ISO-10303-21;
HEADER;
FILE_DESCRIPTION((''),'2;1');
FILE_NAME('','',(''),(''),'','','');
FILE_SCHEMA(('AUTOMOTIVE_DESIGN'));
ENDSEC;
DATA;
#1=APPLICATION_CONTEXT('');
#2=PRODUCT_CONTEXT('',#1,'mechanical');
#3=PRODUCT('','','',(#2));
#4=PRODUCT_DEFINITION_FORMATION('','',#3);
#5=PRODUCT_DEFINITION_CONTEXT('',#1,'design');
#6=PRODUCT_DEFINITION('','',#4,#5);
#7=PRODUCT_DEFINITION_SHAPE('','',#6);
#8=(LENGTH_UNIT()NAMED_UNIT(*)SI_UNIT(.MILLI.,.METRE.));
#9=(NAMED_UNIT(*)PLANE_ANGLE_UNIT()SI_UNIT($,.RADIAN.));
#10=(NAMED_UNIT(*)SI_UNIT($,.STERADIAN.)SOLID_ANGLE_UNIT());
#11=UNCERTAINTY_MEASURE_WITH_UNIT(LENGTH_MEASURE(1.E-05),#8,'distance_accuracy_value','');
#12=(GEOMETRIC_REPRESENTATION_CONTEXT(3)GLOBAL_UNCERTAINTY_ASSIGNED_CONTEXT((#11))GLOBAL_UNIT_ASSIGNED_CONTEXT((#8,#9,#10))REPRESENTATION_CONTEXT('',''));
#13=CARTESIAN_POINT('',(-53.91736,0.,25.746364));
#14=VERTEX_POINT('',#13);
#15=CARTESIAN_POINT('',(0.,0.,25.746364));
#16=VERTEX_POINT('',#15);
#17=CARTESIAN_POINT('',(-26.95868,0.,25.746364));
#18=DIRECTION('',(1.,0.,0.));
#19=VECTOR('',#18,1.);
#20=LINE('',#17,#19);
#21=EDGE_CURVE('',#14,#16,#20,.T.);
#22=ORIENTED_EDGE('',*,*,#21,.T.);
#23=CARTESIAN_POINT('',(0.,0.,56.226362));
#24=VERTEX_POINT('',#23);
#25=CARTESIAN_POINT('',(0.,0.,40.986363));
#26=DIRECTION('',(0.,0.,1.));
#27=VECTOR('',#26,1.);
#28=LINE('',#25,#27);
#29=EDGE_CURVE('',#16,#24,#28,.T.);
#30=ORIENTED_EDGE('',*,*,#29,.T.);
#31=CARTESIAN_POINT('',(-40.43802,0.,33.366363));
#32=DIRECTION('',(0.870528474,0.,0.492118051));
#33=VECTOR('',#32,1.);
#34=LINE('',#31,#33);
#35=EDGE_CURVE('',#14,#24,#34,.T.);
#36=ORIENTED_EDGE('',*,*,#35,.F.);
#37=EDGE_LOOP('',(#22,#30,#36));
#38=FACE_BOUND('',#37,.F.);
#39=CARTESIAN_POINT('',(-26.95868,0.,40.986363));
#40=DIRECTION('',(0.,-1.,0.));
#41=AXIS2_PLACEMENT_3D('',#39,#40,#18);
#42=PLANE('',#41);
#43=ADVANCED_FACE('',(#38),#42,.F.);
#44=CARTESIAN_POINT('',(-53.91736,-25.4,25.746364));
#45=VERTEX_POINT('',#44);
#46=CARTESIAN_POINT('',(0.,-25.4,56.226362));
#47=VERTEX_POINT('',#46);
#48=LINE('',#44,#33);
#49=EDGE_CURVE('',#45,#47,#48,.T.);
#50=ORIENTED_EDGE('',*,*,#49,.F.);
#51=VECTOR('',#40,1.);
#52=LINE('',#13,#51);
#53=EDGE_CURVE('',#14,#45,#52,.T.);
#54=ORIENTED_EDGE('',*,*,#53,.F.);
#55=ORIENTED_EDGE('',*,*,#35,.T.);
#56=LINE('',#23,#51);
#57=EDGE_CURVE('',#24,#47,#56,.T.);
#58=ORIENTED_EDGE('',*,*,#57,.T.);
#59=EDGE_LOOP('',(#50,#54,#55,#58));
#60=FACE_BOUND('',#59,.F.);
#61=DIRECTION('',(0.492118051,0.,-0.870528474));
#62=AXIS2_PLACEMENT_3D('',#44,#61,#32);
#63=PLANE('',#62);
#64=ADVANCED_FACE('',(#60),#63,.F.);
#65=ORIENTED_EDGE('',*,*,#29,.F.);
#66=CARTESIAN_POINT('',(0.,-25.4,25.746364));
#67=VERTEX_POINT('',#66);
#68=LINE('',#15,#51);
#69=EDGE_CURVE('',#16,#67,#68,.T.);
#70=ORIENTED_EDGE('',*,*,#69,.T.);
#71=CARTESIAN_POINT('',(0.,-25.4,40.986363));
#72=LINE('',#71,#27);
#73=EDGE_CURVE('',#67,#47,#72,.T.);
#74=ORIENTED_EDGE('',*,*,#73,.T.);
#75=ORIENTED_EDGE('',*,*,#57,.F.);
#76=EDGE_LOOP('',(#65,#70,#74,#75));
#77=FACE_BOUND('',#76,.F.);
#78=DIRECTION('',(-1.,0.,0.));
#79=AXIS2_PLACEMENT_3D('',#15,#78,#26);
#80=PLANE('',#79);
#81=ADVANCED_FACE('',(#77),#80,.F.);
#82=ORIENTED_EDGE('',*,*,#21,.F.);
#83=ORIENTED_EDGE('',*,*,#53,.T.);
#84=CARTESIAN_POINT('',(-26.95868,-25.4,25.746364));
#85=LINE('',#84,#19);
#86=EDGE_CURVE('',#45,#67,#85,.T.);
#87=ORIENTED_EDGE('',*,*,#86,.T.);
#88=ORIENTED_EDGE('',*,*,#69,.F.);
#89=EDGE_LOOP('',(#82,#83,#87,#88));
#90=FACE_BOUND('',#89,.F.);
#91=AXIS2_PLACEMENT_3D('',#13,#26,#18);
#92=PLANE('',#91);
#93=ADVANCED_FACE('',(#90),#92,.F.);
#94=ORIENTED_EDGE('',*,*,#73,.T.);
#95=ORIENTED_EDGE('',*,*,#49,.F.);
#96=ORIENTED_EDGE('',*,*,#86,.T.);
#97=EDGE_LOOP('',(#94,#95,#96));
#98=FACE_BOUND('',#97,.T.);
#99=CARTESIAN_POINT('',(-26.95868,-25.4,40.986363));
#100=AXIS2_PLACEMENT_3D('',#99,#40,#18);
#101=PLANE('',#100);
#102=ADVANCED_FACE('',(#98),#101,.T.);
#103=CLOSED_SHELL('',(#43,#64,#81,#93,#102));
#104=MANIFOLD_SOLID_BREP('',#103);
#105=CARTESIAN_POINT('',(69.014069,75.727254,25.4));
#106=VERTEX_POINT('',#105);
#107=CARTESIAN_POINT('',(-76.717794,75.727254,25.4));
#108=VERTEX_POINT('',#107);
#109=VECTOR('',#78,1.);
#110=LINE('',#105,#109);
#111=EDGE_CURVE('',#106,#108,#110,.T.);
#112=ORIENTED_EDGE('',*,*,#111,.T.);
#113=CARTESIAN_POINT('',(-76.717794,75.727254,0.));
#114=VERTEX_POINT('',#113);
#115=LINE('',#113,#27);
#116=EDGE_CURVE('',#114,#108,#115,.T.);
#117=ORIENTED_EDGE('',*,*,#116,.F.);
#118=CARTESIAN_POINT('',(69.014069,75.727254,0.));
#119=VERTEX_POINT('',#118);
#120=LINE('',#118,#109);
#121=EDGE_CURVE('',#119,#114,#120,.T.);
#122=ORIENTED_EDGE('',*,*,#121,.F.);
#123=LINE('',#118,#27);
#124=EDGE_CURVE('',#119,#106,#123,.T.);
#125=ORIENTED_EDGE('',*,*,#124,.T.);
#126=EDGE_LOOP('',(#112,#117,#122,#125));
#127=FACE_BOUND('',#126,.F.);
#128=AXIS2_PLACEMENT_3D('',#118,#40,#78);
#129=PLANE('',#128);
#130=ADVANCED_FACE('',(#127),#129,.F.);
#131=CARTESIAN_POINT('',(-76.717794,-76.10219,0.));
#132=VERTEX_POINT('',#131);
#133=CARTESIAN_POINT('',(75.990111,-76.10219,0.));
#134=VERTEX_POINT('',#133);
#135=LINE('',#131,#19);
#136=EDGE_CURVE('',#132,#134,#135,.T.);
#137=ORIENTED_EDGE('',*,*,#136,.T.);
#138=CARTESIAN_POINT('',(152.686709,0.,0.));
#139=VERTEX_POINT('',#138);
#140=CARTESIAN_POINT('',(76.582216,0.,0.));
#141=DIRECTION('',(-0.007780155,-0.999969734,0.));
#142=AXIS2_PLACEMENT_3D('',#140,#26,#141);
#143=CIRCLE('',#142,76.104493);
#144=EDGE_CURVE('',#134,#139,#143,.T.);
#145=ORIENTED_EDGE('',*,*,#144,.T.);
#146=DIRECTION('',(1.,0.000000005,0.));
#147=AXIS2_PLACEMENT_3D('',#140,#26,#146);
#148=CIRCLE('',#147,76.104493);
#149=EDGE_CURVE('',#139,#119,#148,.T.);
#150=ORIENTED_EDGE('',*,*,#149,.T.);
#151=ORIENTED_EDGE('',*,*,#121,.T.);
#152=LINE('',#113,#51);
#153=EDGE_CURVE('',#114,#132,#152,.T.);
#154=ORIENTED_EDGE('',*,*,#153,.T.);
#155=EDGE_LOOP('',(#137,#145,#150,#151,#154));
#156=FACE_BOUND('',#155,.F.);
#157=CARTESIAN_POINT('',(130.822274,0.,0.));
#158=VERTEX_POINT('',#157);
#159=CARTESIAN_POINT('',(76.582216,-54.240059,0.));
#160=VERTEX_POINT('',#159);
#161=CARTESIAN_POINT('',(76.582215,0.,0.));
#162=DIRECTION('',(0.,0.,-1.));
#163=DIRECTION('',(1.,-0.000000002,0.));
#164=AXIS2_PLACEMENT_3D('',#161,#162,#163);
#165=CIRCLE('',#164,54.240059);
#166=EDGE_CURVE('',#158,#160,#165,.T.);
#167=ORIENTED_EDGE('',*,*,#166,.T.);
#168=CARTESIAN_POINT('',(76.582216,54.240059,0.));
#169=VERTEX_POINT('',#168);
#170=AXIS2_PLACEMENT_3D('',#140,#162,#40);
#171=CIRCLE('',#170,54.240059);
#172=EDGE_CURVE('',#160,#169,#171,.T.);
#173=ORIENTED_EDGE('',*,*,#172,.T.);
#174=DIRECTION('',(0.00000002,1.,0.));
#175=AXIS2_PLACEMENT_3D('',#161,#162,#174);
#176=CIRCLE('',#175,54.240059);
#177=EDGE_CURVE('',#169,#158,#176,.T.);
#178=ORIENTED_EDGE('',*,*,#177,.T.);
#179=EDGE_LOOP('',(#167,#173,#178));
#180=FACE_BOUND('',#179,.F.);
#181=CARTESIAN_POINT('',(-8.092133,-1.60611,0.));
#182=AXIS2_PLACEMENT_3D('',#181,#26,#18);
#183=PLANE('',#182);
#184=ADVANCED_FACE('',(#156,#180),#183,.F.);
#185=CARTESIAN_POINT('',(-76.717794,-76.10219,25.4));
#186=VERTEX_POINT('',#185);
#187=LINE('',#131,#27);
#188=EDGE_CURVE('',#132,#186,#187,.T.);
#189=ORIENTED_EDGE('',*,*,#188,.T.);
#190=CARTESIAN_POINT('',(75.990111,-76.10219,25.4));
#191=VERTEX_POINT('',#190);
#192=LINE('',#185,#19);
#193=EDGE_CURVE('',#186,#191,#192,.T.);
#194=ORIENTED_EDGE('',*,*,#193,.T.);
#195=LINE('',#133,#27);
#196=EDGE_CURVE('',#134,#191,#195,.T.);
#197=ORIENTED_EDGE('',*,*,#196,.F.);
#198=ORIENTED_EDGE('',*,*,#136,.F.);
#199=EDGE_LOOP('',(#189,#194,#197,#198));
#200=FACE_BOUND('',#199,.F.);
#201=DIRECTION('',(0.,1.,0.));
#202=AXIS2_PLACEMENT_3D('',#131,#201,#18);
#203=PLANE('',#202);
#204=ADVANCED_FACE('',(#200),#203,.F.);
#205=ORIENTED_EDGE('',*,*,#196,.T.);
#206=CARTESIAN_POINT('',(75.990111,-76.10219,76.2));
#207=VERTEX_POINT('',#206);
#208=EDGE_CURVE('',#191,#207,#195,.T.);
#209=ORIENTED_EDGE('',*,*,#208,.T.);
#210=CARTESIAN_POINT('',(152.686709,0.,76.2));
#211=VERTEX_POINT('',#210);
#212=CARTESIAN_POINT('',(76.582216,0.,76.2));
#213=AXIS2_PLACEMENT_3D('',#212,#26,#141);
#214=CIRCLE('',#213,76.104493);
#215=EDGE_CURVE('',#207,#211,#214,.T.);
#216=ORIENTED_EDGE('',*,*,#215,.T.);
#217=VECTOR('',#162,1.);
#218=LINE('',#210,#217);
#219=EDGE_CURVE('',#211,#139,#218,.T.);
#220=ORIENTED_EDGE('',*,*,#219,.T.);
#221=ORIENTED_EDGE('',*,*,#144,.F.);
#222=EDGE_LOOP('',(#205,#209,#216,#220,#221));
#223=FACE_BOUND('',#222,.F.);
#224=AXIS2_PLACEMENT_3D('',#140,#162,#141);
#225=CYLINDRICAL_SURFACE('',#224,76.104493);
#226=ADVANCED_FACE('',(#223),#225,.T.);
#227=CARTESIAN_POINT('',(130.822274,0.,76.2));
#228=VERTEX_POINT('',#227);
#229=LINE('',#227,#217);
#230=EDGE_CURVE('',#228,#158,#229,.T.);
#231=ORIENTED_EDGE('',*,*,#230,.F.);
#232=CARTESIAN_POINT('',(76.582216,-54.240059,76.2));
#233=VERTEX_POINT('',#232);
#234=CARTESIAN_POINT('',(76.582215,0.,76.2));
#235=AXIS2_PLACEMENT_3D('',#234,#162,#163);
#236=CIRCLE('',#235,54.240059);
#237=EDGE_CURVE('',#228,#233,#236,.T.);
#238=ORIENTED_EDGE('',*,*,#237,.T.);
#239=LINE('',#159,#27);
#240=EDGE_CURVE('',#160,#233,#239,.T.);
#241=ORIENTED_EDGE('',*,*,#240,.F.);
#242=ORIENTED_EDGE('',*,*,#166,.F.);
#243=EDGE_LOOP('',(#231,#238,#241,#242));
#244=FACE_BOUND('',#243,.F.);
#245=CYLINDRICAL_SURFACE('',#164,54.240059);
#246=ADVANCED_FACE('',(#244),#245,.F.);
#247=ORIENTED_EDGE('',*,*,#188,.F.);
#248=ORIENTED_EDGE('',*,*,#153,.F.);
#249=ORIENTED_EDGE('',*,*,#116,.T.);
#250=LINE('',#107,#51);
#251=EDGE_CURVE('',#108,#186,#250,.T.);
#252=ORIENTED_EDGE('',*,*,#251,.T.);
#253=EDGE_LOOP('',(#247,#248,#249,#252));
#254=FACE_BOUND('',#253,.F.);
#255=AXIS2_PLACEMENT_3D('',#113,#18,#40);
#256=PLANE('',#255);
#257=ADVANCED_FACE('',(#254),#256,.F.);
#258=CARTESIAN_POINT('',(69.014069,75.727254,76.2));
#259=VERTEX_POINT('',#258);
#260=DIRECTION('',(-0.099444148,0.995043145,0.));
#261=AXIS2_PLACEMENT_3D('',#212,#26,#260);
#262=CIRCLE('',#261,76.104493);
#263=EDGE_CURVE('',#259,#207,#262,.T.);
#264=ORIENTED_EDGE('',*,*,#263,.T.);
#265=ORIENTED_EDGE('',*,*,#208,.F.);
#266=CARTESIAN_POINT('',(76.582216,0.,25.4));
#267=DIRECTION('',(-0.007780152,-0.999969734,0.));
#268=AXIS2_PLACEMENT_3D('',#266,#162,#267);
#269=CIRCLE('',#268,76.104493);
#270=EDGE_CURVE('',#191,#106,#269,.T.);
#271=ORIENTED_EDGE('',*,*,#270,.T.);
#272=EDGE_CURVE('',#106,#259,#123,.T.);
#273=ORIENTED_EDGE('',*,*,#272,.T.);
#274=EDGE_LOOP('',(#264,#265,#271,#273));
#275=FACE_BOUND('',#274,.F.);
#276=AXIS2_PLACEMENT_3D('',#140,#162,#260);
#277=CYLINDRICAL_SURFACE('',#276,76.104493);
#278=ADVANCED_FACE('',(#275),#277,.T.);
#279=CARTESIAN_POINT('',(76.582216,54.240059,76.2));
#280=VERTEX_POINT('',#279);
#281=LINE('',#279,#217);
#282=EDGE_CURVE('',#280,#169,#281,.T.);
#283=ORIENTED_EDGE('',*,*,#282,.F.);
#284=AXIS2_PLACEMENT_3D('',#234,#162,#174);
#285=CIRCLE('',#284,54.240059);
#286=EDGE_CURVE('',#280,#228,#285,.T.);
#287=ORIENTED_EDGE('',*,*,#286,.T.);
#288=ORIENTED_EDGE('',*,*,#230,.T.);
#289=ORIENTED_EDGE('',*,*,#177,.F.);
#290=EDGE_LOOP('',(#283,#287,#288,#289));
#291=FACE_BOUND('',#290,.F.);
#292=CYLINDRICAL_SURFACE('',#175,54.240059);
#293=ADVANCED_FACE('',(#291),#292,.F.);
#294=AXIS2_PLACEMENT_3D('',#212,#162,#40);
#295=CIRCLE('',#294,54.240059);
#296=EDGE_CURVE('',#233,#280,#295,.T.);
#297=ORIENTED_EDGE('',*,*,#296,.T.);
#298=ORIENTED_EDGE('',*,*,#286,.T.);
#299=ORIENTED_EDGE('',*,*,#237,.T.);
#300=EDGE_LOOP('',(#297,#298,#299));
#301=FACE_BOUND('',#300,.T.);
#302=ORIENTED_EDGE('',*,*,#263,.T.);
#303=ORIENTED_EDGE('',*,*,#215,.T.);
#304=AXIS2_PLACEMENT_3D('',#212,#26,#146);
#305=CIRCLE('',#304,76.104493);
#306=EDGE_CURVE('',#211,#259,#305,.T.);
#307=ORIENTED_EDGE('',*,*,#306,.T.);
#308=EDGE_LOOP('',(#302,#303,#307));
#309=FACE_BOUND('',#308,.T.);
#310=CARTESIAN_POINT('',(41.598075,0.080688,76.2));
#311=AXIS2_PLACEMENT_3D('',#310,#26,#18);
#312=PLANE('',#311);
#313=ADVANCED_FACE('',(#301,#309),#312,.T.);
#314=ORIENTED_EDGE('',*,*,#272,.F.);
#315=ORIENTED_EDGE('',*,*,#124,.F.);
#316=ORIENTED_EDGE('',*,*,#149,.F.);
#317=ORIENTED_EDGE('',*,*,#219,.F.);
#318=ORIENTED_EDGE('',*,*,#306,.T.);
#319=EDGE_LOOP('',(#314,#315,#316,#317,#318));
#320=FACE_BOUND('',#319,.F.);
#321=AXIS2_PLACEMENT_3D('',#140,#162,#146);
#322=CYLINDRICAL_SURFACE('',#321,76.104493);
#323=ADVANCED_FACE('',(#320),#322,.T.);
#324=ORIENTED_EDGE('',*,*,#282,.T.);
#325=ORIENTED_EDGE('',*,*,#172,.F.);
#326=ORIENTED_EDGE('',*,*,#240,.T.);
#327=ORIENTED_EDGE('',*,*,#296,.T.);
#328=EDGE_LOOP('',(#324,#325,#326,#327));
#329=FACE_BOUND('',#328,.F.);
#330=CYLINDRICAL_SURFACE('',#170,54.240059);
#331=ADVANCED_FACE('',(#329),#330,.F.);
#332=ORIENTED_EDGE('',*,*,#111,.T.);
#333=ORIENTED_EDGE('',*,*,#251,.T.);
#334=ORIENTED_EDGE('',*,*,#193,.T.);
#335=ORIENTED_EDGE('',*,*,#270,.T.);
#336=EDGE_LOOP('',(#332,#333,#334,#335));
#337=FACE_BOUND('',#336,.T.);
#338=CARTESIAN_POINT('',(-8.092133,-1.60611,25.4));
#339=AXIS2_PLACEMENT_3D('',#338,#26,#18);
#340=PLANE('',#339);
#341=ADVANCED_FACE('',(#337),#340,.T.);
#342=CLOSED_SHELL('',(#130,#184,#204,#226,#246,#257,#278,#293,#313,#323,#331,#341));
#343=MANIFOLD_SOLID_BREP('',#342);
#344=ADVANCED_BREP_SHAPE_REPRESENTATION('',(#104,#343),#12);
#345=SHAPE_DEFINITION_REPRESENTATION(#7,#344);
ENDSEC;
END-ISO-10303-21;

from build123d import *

# Parameters (mm, degrees)
F1_DEPTH = 76.2
F2_DEPTH = 25.4
F3_W     = 53.91736
F3_H     = 30.479998
F4_DEPTH = 25.4
F6_DEPTH = 76.2


with BuildPart() as f1:
    # F0 (on Top) → F1 (new body)
    with BuildSketch(Plane.XY):
        with BuildLine():
            Line((76.582216, 75.727254), (69.014069, 75.727254))
            ThreePointArc((69.014069, 75.727254), (0.557927, -3.493055), (75.990111, -76.10219))
            Line((75.990111, -76.10219), (76.582216, -76.10219))
            Line((76.582216, -76.10219), (76.582216, -54.240059))
            ThreePointArc((76.582216, -54.240059), (22.342157, 0), (76.582216, 54.240059))
            Line((76.582216, 54.240059), (76.582216, 75.727254))
        make_face()
        with BuildLine():
            ThreePointArc((152.686709, 0), (127.650424, 56.426341), (69.014069, 75.727254))
            Line((69.014069, 75.727254), (76.582216, 75.727254))
            Line((76.582216, 75.727254), (76.582216, 54.240059))
            ThreePointArc((76.582216, 54.240059), (114.935729, 38.353513), (130.822274, 0))
            ThreePointArc((130.822274, 0), (114.935729, -38.353513), (76.582216, -54.240059))
            Line((76.582216, -54.240059), (76.582216, -76.10219))
            Line((76.582216, -76.10219), (75.990111, -76.10219))
            ThreePointArc((75.990111, -76.10219), (130.18647, -54.022938), (152.686709, 0))
        make_face()
    extrude(amount=F1_DEPTH)

    # F0 (on Top) → F2 (join)
    with BuildSketch(Plane.XY):
        with BuildLine():
            Line((69.014069, 75.727254), (-76.717794, 75.727254))
            Line((-76.717794, 75.727254), (-76.717794, -76.10219))
            Line((-76.717794, -76.10219), (75.990111, -76.10219))
            ThreePointArc((75.990111, -76.10219), (0.557927, -3.493055), (69.014069, 75.727254))
        make_face()
        with BuildLine():
            ThreePointArc((152.686709, 0), (127.650424, 56.426341), (69.014069, 75.727254))
            Line((69.014069, 75.727254), (76.582216, 75.727254))
            Line((76.582216, 75.727254), (76.582216, 54.240059))
            ThreePointArc((76.582216, 54.240059), (114.935729, 38.353513), (130.822274, 0))
            ThreePointArc((130.822274, 0), (114.935729, -38.353513), (76.582216, -54.240059))
            Line((76.582216, -54.240059), (76.582216, -76.10219))
            Line((76.582216, -76.10219), (75.990111, -76.10219))
            ThreePointArc((75.990111, -76.10219), (130.18647, -54.022938), (152.686709, 0))
        make_face()
    extrude(amount=F2_DEPTH)


with BuildPart() as f4:
    # F3 (on Front) → F4 (new body)
    with BuildSketch(Plane.XZ):
        with Locations((-26.95868, 40.986363)):
            Rectangle(F3_W, F3_H)
    extrude(amount=F4_DEPTH)

    # F5 (on face) → F6 (cut)
    with BuildSketch(Plane.XZ.offset(25.4)):
        Polygon((-53.91736, 25.746364), (0, 56.226362), (-53.91736, 56.226362), align=None)
    extrude(amount=-F6_DEPTH, mode=Mode.SUBTRACT)


solid = Compound([f1.part, f4.part])
